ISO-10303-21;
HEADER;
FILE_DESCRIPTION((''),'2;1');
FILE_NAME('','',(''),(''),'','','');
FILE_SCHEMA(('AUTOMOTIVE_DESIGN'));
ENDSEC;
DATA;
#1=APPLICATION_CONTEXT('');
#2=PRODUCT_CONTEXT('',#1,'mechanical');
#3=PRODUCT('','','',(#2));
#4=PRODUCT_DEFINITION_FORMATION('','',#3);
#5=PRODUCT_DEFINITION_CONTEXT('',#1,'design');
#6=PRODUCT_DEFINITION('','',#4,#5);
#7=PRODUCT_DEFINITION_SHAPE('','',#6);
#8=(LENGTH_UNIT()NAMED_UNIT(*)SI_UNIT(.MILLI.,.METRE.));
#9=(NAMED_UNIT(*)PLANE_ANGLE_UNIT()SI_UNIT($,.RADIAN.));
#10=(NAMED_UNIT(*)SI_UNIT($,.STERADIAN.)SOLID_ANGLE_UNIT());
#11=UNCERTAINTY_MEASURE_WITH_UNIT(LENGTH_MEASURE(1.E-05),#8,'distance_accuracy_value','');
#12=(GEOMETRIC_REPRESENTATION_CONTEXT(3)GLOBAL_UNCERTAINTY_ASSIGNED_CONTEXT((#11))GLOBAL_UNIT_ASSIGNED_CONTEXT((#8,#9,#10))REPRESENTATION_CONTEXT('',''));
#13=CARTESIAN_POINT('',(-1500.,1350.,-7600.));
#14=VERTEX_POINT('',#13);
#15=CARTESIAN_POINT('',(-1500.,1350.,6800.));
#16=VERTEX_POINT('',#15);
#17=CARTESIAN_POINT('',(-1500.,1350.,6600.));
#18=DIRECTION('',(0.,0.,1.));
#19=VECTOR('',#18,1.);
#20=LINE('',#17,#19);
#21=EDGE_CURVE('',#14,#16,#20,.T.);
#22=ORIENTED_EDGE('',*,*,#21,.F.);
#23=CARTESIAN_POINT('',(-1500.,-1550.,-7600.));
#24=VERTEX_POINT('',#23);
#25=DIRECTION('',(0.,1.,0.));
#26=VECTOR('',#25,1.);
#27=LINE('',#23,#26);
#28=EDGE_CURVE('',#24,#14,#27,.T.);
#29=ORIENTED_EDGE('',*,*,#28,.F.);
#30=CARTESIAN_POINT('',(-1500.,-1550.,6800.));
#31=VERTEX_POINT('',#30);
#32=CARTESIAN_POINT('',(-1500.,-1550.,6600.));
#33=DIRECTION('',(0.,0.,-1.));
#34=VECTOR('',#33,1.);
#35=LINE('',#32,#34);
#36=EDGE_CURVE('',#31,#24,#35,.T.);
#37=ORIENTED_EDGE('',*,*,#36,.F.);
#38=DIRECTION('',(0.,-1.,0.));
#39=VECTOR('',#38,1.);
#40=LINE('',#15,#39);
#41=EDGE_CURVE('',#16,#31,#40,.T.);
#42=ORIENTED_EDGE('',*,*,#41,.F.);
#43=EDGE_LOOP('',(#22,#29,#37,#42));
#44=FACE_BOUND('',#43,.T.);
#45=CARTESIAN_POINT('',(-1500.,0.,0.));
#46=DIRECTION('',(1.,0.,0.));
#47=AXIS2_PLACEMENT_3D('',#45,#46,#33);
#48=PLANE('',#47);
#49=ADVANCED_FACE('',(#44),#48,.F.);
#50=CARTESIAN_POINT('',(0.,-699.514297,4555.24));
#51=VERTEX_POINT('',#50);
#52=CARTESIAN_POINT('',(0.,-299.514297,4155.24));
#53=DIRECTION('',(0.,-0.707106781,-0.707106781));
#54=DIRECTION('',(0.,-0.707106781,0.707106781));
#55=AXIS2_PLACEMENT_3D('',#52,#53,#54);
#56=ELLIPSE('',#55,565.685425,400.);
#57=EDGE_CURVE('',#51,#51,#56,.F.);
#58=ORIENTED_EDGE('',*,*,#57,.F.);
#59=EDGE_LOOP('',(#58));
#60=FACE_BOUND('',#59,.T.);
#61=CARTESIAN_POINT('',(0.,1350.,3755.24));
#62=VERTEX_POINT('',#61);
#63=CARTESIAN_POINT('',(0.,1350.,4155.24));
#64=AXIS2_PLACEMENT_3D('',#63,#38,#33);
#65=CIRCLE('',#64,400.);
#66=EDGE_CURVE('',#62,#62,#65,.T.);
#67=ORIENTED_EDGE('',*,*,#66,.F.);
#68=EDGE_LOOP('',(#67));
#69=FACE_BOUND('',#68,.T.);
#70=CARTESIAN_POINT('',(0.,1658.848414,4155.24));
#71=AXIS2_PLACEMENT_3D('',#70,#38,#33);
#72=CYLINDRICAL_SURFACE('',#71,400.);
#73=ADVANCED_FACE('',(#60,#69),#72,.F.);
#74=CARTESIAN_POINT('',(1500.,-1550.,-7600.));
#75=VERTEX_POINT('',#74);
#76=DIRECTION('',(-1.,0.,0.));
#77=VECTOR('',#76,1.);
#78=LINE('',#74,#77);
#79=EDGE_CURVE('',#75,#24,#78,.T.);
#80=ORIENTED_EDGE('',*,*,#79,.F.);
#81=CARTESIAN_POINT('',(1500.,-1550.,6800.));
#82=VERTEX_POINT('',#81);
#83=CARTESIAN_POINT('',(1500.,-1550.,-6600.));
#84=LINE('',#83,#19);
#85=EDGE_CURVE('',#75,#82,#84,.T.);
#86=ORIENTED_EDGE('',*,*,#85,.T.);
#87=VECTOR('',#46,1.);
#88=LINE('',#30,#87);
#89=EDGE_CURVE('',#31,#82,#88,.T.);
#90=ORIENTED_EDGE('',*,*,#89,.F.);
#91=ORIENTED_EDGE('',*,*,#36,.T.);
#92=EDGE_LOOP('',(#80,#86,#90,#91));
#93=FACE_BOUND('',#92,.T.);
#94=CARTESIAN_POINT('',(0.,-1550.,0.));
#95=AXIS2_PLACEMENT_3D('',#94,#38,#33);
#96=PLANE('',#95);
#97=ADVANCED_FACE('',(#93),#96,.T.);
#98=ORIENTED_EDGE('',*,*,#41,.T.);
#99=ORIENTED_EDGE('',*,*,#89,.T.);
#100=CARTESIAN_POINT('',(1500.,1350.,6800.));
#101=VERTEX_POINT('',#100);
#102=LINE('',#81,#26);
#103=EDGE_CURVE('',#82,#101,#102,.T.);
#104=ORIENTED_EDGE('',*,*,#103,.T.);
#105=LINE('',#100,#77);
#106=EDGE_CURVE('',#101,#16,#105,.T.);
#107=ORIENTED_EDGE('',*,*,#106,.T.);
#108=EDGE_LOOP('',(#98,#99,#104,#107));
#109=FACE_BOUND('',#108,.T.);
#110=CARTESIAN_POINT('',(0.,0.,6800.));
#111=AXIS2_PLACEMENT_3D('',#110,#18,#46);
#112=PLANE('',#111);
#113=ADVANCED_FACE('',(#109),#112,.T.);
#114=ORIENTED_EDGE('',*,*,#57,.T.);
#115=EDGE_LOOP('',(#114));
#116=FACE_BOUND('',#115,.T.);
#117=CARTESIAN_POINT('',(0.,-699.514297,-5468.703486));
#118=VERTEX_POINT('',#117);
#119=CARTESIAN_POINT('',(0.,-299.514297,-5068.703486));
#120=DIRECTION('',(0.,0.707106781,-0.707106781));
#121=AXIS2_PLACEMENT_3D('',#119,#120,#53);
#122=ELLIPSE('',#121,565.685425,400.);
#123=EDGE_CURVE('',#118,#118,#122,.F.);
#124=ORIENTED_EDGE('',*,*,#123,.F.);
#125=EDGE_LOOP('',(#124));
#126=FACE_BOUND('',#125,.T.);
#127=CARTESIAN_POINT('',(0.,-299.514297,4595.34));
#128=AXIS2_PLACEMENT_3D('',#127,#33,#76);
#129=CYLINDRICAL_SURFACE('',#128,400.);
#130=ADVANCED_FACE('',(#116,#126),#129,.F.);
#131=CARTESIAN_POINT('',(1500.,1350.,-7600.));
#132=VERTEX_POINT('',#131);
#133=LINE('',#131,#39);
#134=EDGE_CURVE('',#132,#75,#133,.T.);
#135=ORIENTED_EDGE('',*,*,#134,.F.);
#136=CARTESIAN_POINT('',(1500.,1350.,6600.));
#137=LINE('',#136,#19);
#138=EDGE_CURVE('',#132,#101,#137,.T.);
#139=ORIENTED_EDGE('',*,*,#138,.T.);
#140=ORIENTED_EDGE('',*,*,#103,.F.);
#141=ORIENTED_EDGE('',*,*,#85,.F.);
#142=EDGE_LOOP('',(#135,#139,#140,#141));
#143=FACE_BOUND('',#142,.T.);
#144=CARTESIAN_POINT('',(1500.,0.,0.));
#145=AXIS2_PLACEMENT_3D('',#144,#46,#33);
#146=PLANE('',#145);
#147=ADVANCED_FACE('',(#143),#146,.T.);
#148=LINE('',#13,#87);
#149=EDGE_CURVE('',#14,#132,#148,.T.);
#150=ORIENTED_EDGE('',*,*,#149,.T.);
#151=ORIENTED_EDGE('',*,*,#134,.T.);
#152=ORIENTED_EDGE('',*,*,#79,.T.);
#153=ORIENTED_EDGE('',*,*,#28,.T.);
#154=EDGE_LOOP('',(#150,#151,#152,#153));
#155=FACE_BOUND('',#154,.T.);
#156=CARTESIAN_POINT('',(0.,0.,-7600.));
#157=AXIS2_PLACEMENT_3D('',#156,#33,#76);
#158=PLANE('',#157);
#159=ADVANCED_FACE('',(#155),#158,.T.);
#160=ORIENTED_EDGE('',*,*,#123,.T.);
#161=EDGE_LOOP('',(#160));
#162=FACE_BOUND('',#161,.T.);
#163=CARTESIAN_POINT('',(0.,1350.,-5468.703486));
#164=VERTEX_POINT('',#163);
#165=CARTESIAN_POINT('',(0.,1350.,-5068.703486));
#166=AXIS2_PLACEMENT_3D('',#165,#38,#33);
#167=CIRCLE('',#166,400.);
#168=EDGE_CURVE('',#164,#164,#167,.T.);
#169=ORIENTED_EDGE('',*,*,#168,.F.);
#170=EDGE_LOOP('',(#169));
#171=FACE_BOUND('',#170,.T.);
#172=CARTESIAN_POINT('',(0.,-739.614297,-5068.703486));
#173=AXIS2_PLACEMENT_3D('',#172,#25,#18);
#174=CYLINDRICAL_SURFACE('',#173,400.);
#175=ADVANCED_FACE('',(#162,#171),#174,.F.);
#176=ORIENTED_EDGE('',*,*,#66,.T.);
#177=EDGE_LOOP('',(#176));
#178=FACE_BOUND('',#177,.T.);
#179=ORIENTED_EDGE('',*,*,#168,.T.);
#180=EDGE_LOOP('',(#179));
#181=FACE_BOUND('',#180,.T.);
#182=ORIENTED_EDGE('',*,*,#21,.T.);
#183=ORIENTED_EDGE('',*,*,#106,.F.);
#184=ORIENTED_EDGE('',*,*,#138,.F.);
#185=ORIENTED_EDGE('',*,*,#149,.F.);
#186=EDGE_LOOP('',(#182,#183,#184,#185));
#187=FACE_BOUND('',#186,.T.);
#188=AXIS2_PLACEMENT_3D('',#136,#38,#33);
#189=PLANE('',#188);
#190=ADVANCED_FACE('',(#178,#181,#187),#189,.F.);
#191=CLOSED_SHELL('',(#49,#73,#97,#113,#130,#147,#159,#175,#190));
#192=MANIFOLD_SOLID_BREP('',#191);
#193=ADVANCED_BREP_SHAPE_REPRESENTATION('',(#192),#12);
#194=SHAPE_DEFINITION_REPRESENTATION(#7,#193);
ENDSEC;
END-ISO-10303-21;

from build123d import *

# Parameters (mm, degrees)
SKETCH2_W           = 13200
SKETCH2_H           = 2700
BOSS_EXTRUDE1_DEPTH = 1500
SKETCH4_R           = 400
SKETCH5_W           = 3000
SKETCH5_H           = 13200
BOSS_EXTRUDE2_DEPTH = 200
SKETCH6_W           = 3000
SKETCH6_H           = 2900
BOSS_EXTRUDE3_DEPTH = 200
SKETCH7_W           = 3000
SKETCH7_H           = 2900
BOSS_EXTRUDE4_DEPTH = 1000


with BuildPart() as part:
    # Sketch2 → Boss-Extrude1 (new body, symmetric)
    with BuildSketch(Plane(origin=(0, 0, 0), x_dir=(0, 0, -1), z_dir=(1, 0, 0))):
        Rectangle(SKETCH2_W, SKETCH2_H)
    extrude(amount=BOSS_EXTRUDE1_DEPTH, both=True)

    # Cut-Sweep1: sweep along a path in Sketch3
    with BuildLine(Plane(origin=(0, 0, 0), x_dir=(0, 0, -1), z_dir=(1, 0, 0))) as cut_sweep1_path:
        Line((-4155.24, 1658.848413631), (-4155.24, -299.514296906))
        Line((-4155.24, -299.514296906), (5068.703486095, -299.514296906))
        Line((5068.703486095, -299.514296906), (5068.703486095, 1658.848413631))
    # Sketch4 → Cut-Sweep1 (sweep, cut)
    with BuildSketch(Plane(origin=(0, 1658.848413631, 4155.24), x_dir=(-1, 0, 0), z_dir=(0, -1, 0))):
        Circle(SKETCH4_R)
    sweep(path=cut_sweep1_path.line, transition=Transition.RIGHT, mode=Mode.SUBTRACT)

    # Sketch5 → Boss-Extrude2 (add)
    with BuildSketch(Plane.XZ.offset(1350)):
        Rectangle(SKETCH5_W, SKETCH5_H)
    extrude(amount=BOSS_EXTRUDE2_DEPTH)

    # Sketch6 → Boss-Extrude3 (add)
    with BuildSketch(Plane.XY.offset(6600)):
        with Locations((0, -100)):
            Rectangle(SKETCH6_W, SKETCH6_H)
    extrude(amount=BOSS_EXTRUDE3_DEPTH)

    # Sketch7 → Boss-Extrude4 (add)
    with BuildSketch(Plane(origin=(0, 0, -6600), x_dir=(-1, 0, 0), z_dir=(0, 0, -1))):
        with Locations((0, -100)):
            Rectangle(SKETCH7_W, SKETCH7_H)
    extrude(amount=BOSS_EXTRUDE4_DEPTH)


solid = part.part
